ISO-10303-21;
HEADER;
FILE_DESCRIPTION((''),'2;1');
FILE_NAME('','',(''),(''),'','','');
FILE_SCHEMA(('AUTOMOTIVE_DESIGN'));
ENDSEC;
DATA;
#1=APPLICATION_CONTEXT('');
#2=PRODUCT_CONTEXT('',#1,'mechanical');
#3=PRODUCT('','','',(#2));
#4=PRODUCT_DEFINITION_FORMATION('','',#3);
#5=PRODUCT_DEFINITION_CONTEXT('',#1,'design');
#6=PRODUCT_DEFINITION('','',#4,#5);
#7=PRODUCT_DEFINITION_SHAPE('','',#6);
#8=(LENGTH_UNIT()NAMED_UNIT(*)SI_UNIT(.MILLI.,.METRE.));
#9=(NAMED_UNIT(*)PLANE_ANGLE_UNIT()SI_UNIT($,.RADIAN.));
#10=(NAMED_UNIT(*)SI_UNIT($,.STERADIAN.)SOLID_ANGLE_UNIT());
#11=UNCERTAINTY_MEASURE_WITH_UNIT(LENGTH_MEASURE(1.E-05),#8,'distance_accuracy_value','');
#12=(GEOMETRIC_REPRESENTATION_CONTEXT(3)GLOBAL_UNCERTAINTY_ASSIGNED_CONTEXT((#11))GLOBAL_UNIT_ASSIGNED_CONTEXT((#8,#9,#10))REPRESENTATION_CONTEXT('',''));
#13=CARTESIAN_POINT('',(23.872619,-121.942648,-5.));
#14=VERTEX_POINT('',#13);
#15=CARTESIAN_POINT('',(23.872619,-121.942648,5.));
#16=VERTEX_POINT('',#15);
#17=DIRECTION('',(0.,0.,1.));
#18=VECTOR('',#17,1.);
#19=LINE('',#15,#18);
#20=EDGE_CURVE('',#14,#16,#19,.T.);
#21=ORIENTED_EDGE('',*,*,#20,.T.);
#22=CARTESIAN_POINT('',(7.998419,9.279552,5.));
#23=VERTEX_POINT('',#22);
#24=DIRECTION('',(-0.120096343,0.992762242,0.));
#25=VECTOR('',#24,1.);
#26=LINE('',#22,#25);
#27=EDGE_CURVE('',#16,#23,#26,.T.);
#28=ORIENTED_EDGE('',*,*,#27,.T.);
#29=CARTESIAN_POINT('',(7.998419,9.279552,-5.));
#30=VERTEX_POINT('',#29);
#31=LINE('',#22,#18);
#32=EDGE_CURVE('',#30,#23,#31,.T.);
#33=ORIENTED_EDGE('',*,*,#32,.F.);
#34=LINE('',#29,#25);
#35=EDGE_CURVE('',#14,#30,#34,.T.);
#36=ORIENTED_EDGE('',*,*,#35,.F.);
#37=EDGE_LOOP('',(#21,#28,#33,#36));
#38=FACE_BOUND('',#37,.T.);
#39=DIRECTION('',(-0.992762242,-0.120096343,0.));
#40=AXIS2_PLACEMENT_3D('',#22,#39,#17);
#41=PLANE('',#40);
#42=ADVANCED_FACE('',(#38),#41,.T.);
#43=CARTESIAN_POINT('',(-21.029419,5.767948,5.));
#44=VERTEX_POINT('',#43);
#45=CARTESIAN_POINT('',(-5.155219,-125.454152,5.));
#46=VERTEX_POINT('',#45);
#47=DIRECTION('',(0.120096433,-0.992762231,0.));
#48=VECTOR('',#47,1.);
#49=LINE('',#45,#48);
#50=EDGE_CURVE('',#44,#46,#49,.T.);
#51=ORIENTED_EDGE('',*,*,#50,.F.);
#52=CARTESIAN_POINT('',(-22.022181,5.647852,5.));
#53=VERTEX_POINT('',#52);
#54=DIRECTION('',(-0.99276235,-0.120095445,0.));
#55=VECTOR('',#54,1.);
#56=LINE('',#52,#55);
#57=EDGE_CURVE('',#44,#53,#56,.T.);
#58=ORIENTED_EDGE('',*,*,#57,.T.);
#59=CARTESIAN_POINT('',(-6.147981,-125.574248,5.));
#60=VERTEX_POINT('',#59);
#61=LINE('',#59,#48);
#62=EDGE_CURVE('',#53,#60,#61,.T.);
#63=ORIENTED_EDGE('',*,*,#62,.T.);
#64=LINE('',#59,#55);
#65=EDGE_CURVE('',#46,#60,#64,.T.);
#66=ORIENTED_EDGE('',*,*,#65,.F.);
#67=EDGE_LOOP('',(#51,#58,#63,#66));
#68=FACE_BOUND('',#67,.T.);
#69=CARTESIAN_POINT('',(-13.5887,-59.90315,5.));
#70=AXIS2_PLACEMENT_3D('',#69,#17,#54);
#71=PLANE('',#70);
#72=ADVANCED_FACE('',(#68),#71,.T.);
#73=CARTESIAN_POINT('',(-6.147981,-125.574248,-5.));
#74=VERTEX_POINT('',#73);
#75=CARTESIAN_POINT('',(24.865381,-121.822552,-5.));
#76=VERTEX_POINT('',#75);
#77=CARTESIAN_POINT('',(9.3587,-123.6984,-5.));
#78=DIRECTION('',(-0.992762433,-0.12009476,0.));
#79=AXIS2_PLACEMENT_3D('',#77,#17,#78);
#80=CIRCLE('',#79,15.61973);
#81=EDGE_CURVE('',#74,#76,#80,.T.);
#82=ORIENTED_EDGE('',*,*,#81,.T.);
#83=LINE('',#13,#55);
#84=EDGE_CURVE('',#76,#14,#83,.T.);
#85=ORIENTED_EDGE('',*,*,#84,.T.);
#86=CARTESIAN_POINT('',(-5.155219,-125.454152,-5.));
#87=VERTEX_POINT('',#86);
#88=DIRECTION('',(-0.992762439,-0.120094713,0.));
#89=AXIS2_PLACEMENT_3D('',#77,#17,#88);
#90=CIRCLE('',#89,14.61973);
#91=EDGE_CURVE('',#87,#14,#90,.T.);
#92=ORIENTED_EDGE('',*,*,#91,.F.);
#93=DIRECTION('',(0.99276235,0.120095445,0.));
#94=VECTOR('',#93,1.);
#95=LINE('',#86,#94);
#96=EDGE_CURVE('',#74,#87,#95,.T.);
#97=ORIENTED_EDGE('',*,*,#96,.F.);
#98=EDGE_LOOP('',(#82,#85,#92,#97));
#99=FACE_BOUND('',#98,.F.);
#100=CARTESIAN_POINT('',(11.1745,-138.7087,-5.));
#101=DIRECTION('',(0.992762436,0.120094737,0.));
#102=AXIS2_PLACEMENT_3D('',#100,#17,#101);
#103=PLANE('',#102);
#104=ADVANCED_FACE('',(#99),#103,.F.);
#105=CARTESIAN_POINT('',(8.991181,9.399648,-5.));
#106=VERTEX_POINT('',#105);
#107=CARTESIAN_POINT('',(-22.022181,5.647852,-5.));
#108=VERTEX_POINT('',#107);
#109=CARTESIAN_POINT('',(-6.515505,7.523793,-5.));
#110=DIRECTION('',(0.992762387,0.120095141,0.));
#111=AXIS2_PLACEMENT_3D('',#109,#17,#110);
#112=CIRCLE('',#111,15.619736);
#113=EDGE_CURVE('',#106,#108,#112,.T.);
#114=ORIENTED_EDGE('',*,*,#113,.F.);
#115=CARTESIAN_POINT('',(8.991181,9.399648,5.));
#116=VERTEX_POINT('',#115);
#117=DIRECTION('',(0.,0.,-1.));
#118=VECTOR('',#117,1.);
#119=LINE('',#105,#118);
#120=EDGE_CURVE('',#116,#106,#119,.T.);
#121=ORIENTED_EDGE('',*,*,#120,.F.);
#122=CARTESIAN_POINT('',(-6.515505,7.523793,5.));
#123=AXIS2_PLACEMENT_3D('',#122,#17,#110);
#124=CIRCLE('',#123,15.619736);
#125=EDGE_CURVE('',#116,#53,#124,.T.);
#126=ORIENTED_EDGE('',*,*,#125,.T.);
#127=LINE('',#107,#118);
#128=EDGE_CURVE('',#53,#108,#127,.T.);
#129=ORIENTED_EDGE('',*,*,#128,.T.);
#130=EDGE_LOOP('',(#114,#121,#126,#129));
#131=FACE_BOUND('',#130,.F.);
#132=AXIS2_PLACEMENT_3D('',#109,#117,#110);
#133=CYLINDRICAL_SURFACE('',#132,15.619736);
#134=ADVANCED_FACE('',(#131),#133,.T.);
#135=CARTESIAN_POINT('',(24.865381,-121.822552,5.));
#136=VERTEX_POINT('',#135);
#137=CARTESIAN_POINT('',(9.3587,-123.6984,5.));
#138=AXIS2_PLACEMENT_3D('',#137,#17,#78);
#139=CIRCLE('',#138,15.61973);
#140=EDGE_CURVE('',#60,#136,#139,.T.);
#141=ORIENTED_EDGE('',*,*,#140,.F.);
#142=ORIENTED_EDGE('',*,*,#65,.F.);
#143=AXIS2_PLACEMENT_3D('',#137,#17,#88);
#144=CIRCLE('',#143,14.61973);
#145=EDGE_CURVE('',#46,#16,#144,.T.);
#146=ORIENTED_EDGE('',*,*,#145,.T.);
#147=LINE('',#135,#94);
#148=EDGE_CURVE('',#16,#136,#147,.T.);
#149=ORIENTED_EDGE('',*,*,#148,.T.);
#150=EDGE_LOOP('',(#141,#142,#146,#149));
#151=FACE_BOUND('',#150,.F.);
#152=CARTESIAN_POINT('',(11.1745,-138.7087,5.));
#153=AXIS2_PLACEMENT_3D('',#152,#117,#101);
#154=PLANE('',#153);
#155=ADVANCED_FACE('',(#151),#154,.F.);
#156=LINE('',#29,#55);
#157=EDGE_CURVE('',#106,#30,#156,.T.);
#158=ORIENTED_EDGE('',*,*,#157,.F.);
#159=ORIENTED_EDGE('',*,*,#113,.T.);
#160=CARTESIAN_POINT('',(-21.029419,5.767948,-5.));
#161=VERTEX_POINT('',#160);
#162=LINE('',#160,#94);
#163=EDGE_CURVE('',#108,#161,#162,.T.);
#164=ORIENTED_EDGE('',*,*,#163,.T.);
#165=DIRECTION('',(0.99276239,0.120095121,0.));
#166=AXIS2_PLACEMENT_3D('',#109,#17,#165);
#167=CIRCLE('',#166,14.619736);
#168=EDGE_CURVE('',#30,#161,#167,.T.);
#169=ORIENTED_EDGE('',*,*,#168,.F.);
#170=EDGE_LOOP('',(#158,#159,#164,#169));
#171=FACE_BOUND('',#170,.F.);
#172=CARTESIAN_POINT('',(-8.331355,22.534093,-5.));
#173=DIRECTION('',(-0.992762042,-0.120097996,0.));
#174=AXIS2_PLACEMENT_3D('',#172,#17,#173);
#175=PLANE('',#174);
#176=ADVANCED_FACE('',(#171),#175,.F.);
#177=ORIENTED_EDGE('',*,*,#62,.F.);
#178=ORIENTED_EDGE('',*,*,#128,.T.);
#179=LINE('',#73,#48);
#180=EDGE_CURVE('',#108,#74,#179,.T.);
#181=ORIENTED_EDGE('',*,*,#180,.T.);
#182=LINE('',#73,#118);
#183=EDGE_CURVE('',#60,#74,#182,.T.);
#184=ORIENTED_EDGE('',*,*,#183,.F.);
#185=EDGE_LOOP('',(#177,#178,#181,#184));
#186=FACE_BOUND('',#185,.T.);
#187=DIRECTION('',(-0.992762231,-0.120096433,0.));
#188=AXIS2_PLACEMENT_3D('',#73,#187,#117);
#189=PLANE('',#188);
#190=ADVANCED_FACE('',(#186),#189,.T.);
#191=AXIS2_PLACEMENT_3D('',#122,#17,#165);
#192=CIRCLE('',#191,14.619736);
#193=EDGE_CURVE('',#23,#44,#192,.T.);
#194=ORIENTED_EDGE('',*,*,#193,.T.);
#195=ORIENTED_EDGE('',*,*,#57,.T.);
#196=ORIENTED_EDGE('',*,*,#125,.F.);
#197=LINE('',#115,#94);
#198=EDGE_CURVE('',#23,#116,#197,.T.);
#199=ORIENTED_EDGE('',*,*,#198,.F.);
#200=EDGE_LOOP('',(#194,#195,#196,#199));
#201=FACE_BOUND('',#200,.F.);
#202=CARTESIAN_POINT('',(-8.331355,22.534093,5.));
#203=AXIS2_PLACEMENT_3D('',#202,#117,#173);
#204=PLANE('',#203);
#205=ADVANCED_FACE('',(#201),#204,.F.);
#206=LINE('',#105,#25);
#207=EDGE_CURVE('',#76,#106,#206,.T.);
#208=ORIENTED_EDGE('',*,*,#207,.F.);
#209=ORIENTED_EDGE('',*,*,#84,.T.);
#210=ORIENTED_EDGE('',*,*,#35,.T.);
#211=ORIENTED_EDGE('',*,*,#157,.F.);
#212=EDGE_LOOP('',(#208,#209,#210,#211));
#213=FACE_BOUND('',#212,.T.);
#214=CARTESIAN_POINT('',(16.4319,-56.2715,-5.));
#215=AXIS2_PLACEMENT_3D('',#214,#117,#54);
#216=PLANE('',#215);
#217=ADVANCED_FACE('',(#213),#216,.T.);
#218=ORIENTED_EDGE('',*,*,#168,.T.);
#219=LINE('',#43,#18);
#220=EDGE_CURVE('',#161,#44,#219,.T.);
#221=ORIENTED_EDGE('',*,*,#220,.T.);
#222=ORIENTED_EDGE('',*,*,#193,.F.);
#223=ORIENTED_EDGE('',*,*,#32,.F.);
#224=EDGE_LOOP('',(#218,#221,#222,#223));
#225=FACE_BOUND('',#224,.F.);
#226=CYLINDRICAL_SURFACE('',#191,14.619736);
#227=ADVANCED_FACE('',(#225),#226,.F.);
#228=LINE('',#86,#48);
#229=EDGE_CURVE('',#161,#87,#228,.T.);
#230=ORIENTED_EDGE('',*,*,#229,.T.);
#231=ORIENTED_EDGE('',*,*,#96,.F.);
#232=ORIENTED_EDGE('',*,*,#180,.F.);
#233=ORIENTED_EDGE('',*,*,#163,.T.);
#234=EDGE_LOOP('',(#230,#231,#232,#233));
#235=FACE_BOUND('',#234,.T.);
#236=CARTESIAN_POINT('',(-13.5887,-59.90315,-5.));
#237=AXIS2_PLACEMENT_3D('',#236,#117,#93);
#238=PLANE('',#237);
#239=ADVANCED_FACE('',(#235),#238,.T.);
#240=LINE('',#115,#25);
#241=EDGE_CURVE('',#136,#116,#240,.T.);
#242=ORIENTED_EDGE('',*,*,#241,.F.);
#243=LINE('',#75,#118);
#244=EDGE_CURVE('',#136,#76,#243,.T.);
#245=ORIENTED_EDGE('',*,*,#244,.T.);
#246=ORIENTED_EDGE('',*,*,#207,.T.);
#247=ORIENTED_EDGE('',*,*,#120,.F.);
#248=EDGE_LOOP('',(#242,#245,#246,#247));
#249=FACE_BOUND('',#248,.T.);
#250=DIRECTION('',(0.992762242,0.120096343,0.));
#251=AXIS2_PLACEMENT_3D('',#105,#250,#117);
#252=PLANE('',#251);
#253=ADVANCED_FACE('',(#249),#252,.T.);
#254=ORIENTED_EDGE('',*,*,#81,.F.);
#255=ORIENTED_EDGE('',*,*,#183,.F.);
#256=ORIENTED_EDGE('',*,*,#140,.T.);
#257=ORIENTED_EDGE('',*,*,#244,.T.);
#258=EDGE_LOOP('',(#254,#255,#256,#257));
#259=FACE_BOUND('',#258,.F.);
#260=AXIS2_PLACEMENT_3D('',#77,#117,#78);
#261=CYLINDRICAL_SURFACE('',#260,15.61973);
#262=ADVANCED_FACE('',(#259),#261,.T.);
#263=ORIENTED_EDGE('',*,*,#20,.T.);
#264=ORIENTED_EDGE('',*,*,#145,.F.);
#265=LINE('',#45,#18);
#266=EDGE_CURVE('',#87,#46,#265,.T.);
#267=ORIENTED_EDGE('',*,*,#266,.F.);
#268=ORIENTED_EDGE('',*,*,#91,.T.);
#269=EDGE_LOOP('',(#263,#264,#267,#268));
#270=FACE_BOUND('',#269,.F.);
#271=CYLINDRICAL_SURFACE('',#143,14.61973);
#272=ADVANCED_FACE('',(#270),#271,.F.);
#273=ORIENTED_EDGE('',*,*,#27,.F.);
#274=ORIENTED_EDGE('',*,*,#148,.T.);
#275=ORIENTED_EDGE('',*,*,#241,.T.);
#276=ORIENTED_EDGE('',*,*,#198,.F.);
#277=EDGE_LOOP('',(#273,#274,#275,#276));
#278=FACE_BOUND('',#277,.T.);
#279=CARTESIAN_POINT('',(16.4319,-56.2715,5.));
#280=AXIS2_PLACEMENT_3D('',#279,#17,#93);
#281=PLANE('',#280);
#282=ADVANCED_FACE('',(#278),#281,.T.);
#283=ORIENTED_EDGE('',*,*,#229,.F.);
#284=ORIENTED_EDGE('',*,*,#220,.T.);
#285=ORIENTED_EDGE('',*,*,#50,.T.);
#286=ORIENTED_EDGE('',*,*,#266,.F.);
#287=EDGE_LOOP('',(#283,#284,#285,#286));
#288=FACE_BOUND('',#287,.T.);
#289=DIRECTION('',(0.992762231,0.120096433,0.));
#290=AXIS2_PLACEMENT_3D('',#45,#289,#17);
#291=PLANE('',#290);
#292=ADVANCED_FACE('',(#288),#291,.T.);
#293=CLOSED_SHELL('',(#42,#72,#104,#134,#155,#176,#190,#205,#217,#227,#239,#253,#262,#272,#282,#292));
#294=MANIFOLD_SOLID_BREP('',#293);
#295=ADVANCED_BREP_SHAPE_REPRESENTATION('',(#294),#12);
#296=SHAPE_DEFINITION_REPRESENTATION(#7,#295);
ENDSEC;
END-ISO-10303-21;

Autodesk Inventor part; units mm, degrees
sketch "Skizzenpfad" plane through (0, 0, 0) normal (0, 0, 1) x (1, 0, 0)
  arc A0 (-5.6516, -125.5142) -> (24.369, -121.8826) centre (9.3587, -123.6984) ccw
  arc A1 (8.4948, 9.3396) -> (-21.5258, 5.7079) centre (-6.5155, 7.5238) ccw
  line L0 (8.4948, 9.3396) -> (24.369, -121.8826)
  line L1 (-5.6516, -125.5142) -> (-21.5258, 5.7079)
ref_plane "Querschnittsebene" through (24.369, -121.8826, 0) normal (-0.1201, 0.9928, 0) x (0, 0, 1)
ref_plane "Arbeitsebene2" through (9.3587, -123.6984, 0) normal (-1, 0, 0) x (0, 0, 1)
ref_plane "Arbeitsebene3" through (-6.5155, 7.5238, 0) normal (-0.1037, -0.9946, 0) x (0, 0, 1)
sketch "Querschnitt" plane through (24.369, -121.8826, 0) normal (-0.1201, 0.9928, 0) x (0, 0, 1)
  line L0 (-5, 0.5) -> (5, 0.5)
  line L1 (5, 0.5) -> (5, -0.5)
  line L2 (5, -0.5) -> (-5, -0.5)
  line L3 (-5, -0.5) -> (-5, 0.5)
  line L4 (-5, 0) -> (5, 0) construction
  point P0 (0, 0)
  point P1 (0, 0)
  dimension "d0" = 10
  dimension "d4" = 0.5
  dimension "d5" = 0.5
sweep "Riemen" add profiles "Querschnitt" path "Skizzenpfad"
equation "\"d0\" = da_B"
equation "\"d4\" = da_a"
equation "\"d5\" = da_a2"
equation "\"da_B\" = 10"
equation "\"da_pb\" = 5"
equation "\"da_L\" = 359.35771"
equation "\"da_a\" = 0.5"
equation "\"da_S\" = 2.65"
equation "\"da_Beta\" = 20deg"
equation "\"da_Ht\" = 1.2"
equation "\"da_H\" = 2.2"
equation "\"da_a2\" = 0.5"
properties part number "Zahnriemen" material "Rubber"
